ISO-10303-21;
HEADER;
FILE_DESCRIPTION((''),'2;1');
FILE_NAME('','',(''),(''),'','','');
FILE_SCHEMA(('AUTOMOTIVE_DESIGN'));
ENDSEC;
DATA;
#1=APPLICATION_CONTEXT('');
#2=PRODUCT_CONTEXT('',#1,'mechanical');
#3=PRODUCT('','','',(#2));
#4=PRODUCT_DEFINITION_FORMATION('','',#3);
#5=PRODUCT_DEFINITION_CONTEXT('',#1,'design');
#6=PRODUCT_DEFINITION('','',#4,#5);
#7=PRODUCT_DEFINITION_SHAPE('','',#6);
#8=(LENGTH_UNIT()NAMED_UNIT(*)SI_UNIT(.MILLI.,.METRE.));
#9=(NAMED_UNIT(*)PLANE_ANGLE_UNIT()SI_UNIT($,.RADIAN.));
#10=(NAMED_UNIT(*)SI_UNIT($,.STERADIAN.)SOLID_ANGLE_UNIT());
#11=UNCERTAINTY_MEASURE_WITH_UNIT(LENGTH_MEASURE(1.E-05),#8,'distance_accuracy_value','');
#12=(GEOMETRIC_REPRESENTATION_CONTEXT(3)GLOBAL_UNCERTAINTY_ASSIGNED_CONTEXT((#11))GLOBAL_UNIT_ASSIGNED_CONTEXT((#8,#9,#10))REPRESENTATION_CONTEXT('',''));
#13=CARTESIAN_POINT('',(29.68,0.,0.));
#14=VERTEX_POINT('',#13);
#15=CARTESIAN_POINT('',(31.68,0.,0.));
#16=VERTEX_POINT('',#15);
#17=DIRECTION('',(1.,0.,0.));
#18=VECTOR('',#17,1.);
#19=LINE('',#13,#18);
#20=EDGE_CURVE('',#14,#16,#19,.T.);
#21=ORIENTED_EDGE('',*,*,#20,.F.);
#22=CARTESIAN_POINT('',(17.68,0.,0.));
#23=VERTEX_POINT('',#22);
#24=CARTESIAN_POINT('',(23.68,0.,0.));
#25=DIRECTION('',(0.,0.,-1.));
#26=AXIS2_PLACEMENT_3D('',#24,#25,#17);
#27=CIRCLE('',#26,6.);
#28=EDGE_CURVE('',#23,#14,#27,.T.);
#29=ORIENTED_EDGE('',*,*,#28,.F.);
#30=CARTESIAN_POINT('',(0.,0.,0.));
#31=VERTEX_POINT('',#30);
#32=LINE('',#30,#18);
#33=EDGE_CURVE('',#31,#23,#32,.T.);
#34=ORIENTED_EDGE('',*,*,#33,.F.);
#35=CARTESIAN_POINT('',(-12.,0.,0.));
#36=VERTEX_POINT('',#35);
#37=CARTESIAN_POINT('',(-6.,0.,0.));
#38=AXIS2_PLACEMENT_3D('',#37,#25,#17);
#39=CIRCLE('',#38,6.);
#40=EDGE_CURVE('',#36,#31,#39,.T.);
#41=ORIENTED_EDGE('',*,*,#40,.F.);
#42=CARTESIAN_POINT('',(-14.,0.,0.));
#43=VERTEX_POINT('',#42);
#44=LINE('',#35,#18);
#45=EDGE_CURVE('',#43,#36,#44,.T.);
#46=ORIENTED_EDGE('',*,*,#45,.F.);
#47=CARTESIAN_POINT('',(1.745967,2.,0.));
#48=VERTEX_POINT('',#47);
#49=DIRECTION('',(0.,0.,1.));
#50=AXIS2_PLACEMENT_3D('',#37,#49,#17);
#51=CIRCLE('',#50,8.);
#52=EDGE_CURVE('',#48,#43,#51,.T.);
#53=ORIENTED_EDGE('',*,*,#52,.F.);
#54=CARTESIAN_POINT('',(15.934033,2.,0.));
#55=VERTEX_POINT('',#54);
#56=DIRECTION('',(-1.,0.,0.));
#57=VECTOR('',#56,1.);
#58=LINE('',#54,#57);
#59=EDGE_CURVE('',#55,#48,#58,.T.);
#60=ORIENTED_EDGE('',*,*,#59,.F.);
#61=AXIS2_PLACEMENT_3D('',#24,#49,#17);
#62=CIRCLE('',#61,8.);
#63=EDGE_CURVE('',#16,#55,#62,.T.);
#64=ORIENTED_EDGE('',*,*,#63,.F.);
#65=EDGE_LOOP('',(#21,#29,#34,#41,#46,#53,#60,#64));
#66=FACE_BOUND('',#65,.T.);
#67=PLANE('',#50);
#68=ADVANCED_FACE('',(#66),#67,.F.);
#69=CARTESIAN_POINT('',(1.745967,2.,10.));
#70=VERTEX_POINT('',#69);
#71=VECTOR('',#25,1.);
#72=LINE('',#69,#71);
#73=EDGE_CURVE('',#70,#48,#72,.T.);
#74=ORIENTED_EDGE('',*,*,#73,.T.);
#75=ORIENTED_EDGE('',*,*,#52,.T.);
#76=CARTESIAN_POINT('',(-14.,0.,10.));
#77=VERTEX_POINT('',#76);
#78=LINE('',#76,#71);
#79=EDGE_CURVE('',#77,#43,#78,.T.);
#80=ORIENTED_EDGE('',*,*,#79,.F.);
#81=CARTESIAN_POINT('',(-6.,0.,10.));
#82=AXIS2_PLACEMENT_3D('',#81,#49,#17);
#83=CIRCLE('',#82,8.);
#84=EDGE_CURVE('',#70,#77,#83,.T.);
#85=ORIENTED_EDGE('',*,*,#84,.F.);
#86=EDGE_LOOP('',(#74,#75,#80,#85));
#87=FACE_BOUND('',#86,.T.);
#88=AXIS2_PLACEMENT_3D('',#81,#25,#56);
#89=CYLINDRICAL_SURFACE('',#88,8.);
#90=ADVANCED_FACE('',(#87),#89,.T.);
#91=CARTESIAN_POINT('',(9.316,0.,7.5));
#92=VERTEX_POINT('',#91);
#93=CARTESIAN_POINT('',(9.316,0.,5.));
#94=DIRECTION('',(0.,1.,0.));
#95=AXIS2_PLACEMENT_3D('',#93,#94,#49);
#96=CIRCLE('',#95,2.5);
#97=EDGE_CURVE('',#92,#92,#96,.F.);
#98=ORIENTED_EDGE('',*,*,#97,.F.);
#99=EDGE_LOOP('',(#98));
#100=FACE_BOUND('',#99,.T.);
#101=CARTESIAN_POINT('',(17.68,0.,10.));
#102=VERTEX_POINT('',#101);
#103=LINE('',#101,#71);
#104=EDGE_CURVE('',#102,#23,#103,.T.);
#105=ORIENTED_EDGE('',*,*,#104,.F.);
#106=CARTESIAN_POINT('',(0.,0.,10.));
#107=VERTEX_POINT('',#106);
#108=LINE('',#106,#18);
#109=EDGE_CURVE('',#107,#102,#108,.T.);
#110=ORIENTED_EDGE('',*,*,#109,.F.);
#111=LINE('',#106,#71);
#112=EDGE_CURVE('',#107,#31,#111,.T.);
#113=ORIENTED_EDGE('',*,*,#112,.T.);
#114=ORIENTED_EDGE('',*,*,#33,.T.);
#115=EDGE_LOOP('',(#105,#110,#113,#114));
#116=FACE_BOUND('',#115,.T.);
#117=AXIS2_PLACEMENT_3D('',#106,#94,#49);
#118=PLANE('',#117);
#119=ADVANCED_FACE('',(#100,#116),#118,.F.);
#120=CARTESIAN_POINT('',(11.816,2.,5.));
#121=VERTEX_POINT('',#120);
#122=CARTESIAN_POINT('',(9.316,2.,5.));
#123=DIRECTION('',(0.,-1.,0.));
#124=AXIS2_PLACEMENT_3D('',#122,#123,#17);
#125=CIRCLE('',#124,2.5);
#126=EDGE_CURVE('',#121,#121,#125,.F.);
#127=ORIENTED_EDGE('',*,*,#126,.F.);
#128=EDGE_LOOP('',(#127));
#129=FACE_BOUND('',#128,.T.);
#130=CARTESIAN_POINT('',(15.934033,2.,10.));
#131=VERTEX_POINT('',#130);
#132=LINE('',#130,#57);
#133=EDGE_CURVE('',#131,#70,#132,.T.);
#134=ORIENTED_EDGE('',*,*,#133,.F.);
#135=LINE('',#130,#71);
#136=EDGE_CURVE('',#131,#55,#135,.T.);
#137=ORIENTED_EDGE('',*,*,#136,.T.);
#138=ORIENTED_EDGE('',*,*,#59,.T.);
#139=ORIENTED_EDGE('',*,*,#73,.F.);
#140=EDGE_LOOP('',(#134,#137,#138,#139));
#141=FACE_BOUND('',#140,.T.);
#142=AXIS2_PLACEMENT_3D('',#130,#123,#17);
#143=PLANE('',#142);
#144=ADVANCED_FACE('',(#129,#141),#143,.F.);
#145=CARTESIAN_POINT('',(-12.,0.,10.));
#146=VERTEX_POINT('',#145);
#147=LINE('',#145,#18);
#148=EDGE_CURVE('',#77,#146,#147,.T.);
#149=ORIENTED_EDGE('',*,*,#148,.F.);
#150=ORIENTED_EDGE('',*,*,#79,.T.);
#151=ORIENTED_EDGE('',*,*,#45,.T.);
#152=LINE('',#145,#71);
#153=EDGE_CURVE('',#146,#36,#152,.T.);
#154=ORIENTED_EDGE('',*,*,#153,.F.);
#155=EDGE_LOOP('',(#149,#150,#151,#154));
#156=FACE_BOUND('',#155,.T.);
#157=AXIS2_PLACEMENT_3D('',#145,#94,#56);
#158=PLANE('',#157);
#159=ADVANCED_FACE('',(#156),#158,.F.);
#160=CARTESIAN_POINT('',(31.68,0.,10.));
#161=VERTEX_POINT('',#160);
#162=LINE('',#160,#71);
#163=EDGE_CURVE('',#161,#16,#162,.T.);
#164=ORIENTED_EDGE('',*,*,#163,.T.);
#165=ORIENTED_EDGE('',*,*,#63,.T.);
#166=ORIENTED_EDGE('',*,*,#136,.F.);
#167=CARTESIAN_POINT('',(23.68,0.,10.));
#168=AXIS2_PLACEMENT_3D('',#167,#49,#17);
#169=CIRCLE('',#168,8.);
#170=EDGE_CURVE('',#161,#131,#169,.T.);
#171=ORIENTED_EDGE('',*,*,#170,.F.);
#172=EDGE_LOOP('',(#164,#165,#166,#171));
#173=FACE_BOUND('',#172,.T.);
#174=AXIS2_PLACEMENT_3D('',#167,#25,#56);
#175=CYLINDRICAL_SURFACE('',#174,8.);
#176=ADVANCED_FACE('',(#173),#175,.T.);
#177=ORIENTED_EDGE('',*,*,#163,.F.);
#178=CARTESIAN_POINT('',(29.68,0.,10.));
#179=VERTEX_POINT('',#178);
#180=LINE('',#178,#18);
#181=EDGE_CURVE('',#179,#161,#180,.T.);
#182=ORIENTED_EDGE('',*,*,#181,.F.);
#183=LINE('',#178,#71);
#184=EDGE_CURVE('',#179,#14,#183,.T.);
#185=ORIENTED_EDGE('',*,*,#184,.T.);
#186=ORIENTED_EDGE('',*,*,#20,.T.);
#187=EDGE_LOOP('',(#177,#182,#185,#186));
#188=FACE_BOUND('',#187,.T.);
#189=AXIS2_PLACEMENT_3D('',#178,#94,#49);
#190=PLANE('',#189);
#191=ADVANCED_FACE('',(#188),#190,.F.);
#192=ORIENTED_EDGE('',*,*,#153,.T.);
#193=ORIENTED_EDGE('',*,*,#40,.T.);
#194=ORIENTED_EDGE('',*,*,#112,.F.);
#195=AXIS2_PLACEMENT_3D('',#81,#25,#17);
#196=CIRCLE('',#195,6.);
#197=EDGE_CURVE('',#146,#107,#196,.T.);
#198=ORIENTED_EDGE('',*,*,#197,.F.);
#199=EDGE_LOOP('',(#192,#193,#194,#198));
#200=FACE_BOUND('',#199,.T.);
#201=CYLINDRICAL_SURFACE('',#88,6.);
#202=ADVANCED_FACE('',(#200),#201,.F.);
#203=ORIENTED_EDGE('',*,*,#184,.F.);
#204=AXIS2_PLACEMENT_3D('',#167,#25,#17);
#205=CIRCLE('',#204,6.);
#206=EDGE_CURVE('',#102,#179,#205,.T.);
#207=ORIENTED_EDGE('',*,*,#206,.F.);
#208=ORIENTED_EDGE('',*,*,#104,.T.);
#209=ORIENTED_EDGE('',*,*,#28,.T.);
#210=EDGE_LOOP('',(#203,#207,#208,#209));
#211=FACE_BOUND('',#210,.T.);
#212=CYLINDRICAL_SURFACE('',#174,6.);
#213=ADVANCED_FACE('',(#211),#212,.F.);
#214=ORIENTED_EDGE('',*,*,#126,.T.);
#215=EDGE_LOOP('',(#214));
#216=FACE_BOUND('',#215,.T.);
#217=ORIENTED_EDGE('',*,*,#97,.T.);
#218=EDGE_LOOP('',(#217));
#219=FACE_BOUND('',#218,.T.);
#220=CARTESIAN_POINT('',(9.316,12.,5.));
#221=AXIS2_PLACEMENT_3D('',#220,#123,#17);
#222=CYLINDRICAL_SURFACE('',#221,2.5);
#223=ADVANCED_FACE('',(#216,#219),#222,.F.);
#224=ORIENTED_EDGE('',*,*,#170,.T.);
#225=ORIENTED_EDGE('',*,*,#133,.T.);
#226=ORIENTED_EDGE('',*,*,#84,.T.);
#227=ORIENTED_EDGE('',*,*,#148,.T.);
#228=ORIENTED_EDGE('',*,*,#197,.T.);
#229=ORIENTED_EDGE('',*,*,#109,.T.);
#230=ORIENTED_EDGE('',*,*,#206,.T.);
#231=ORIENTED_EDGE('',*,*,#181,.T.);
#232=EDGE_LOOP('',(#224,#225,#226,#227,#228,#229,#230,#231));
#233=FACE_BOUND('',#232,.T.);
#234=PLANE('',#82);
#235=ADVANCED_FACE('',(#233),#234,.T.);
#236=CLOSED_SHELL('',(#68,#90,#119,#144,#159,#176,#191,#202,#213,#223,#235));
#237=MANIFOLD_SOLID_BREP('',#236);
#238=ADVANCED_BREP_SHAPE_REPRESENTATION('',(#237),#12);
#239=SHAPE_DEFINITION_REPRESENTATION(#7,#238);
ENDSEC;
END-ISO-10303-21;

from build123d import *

# Parameters (mm, degrees)
Y_KSEKLIK_EKSTR_ZYON1_DEPTH = 10
KES_EKSTR_ZYON1_DEPTH       = 10
KES_EKSTR_ZYON1_DEPTH_BACK  = 5
IZIM2_R                     = 2.5


with BuildPart() as part:
    # Çizim1 → Yükseklik-Ekstrüzyon1 (new body)
    with BuildSketch(Plane.XY):
        with BuildLine():
            Line((0, 0), (17.68, 0))
            ThreePointArc((17.68, 0), (23.68, 6), (29.68, 0))
            Line((29.68, 0), (31.68, 0))
            ThreePointArc((31.68, 0), (24.68803434, 7.93623757), (15.934033308, 2))
            Line((15.934033308, 2), (1.745966692, 2))
            ThreePointArc((1.745966692, 2), (-7.00803434, 7.93623757), (-14, 0))
            Line((-14, 0), (-12, 0))
            ThreePointArc((-12, 0), (-6, 6), (0, 0))
        make_face()
    extrude(amount=Y_KSEKLIK_EKSTR_ZYON1_DEPTH)

    # Çizim2 → Kes-Ekstrüzyon1 (cut, two sides: drawn at the far end of the back side and taken through both)
    with BuildSketch(Plane(origin=(0, 2, 0), x_dir=(1, 0, 0), z_dir=(0, 1, 0)).offset(-KES_EKSTR_ZYON1_DEPTH_BACK)):
        with Locations((9.316, -5)):
            Circle(IZIM2_R)
    extrude(amount=KES_EKSTR_ZYON1_DEPTH + KES_EKSTR_ZYON1_DEPTH_BACK, mode=Mode.SUBTRACT)


solid = part.part
